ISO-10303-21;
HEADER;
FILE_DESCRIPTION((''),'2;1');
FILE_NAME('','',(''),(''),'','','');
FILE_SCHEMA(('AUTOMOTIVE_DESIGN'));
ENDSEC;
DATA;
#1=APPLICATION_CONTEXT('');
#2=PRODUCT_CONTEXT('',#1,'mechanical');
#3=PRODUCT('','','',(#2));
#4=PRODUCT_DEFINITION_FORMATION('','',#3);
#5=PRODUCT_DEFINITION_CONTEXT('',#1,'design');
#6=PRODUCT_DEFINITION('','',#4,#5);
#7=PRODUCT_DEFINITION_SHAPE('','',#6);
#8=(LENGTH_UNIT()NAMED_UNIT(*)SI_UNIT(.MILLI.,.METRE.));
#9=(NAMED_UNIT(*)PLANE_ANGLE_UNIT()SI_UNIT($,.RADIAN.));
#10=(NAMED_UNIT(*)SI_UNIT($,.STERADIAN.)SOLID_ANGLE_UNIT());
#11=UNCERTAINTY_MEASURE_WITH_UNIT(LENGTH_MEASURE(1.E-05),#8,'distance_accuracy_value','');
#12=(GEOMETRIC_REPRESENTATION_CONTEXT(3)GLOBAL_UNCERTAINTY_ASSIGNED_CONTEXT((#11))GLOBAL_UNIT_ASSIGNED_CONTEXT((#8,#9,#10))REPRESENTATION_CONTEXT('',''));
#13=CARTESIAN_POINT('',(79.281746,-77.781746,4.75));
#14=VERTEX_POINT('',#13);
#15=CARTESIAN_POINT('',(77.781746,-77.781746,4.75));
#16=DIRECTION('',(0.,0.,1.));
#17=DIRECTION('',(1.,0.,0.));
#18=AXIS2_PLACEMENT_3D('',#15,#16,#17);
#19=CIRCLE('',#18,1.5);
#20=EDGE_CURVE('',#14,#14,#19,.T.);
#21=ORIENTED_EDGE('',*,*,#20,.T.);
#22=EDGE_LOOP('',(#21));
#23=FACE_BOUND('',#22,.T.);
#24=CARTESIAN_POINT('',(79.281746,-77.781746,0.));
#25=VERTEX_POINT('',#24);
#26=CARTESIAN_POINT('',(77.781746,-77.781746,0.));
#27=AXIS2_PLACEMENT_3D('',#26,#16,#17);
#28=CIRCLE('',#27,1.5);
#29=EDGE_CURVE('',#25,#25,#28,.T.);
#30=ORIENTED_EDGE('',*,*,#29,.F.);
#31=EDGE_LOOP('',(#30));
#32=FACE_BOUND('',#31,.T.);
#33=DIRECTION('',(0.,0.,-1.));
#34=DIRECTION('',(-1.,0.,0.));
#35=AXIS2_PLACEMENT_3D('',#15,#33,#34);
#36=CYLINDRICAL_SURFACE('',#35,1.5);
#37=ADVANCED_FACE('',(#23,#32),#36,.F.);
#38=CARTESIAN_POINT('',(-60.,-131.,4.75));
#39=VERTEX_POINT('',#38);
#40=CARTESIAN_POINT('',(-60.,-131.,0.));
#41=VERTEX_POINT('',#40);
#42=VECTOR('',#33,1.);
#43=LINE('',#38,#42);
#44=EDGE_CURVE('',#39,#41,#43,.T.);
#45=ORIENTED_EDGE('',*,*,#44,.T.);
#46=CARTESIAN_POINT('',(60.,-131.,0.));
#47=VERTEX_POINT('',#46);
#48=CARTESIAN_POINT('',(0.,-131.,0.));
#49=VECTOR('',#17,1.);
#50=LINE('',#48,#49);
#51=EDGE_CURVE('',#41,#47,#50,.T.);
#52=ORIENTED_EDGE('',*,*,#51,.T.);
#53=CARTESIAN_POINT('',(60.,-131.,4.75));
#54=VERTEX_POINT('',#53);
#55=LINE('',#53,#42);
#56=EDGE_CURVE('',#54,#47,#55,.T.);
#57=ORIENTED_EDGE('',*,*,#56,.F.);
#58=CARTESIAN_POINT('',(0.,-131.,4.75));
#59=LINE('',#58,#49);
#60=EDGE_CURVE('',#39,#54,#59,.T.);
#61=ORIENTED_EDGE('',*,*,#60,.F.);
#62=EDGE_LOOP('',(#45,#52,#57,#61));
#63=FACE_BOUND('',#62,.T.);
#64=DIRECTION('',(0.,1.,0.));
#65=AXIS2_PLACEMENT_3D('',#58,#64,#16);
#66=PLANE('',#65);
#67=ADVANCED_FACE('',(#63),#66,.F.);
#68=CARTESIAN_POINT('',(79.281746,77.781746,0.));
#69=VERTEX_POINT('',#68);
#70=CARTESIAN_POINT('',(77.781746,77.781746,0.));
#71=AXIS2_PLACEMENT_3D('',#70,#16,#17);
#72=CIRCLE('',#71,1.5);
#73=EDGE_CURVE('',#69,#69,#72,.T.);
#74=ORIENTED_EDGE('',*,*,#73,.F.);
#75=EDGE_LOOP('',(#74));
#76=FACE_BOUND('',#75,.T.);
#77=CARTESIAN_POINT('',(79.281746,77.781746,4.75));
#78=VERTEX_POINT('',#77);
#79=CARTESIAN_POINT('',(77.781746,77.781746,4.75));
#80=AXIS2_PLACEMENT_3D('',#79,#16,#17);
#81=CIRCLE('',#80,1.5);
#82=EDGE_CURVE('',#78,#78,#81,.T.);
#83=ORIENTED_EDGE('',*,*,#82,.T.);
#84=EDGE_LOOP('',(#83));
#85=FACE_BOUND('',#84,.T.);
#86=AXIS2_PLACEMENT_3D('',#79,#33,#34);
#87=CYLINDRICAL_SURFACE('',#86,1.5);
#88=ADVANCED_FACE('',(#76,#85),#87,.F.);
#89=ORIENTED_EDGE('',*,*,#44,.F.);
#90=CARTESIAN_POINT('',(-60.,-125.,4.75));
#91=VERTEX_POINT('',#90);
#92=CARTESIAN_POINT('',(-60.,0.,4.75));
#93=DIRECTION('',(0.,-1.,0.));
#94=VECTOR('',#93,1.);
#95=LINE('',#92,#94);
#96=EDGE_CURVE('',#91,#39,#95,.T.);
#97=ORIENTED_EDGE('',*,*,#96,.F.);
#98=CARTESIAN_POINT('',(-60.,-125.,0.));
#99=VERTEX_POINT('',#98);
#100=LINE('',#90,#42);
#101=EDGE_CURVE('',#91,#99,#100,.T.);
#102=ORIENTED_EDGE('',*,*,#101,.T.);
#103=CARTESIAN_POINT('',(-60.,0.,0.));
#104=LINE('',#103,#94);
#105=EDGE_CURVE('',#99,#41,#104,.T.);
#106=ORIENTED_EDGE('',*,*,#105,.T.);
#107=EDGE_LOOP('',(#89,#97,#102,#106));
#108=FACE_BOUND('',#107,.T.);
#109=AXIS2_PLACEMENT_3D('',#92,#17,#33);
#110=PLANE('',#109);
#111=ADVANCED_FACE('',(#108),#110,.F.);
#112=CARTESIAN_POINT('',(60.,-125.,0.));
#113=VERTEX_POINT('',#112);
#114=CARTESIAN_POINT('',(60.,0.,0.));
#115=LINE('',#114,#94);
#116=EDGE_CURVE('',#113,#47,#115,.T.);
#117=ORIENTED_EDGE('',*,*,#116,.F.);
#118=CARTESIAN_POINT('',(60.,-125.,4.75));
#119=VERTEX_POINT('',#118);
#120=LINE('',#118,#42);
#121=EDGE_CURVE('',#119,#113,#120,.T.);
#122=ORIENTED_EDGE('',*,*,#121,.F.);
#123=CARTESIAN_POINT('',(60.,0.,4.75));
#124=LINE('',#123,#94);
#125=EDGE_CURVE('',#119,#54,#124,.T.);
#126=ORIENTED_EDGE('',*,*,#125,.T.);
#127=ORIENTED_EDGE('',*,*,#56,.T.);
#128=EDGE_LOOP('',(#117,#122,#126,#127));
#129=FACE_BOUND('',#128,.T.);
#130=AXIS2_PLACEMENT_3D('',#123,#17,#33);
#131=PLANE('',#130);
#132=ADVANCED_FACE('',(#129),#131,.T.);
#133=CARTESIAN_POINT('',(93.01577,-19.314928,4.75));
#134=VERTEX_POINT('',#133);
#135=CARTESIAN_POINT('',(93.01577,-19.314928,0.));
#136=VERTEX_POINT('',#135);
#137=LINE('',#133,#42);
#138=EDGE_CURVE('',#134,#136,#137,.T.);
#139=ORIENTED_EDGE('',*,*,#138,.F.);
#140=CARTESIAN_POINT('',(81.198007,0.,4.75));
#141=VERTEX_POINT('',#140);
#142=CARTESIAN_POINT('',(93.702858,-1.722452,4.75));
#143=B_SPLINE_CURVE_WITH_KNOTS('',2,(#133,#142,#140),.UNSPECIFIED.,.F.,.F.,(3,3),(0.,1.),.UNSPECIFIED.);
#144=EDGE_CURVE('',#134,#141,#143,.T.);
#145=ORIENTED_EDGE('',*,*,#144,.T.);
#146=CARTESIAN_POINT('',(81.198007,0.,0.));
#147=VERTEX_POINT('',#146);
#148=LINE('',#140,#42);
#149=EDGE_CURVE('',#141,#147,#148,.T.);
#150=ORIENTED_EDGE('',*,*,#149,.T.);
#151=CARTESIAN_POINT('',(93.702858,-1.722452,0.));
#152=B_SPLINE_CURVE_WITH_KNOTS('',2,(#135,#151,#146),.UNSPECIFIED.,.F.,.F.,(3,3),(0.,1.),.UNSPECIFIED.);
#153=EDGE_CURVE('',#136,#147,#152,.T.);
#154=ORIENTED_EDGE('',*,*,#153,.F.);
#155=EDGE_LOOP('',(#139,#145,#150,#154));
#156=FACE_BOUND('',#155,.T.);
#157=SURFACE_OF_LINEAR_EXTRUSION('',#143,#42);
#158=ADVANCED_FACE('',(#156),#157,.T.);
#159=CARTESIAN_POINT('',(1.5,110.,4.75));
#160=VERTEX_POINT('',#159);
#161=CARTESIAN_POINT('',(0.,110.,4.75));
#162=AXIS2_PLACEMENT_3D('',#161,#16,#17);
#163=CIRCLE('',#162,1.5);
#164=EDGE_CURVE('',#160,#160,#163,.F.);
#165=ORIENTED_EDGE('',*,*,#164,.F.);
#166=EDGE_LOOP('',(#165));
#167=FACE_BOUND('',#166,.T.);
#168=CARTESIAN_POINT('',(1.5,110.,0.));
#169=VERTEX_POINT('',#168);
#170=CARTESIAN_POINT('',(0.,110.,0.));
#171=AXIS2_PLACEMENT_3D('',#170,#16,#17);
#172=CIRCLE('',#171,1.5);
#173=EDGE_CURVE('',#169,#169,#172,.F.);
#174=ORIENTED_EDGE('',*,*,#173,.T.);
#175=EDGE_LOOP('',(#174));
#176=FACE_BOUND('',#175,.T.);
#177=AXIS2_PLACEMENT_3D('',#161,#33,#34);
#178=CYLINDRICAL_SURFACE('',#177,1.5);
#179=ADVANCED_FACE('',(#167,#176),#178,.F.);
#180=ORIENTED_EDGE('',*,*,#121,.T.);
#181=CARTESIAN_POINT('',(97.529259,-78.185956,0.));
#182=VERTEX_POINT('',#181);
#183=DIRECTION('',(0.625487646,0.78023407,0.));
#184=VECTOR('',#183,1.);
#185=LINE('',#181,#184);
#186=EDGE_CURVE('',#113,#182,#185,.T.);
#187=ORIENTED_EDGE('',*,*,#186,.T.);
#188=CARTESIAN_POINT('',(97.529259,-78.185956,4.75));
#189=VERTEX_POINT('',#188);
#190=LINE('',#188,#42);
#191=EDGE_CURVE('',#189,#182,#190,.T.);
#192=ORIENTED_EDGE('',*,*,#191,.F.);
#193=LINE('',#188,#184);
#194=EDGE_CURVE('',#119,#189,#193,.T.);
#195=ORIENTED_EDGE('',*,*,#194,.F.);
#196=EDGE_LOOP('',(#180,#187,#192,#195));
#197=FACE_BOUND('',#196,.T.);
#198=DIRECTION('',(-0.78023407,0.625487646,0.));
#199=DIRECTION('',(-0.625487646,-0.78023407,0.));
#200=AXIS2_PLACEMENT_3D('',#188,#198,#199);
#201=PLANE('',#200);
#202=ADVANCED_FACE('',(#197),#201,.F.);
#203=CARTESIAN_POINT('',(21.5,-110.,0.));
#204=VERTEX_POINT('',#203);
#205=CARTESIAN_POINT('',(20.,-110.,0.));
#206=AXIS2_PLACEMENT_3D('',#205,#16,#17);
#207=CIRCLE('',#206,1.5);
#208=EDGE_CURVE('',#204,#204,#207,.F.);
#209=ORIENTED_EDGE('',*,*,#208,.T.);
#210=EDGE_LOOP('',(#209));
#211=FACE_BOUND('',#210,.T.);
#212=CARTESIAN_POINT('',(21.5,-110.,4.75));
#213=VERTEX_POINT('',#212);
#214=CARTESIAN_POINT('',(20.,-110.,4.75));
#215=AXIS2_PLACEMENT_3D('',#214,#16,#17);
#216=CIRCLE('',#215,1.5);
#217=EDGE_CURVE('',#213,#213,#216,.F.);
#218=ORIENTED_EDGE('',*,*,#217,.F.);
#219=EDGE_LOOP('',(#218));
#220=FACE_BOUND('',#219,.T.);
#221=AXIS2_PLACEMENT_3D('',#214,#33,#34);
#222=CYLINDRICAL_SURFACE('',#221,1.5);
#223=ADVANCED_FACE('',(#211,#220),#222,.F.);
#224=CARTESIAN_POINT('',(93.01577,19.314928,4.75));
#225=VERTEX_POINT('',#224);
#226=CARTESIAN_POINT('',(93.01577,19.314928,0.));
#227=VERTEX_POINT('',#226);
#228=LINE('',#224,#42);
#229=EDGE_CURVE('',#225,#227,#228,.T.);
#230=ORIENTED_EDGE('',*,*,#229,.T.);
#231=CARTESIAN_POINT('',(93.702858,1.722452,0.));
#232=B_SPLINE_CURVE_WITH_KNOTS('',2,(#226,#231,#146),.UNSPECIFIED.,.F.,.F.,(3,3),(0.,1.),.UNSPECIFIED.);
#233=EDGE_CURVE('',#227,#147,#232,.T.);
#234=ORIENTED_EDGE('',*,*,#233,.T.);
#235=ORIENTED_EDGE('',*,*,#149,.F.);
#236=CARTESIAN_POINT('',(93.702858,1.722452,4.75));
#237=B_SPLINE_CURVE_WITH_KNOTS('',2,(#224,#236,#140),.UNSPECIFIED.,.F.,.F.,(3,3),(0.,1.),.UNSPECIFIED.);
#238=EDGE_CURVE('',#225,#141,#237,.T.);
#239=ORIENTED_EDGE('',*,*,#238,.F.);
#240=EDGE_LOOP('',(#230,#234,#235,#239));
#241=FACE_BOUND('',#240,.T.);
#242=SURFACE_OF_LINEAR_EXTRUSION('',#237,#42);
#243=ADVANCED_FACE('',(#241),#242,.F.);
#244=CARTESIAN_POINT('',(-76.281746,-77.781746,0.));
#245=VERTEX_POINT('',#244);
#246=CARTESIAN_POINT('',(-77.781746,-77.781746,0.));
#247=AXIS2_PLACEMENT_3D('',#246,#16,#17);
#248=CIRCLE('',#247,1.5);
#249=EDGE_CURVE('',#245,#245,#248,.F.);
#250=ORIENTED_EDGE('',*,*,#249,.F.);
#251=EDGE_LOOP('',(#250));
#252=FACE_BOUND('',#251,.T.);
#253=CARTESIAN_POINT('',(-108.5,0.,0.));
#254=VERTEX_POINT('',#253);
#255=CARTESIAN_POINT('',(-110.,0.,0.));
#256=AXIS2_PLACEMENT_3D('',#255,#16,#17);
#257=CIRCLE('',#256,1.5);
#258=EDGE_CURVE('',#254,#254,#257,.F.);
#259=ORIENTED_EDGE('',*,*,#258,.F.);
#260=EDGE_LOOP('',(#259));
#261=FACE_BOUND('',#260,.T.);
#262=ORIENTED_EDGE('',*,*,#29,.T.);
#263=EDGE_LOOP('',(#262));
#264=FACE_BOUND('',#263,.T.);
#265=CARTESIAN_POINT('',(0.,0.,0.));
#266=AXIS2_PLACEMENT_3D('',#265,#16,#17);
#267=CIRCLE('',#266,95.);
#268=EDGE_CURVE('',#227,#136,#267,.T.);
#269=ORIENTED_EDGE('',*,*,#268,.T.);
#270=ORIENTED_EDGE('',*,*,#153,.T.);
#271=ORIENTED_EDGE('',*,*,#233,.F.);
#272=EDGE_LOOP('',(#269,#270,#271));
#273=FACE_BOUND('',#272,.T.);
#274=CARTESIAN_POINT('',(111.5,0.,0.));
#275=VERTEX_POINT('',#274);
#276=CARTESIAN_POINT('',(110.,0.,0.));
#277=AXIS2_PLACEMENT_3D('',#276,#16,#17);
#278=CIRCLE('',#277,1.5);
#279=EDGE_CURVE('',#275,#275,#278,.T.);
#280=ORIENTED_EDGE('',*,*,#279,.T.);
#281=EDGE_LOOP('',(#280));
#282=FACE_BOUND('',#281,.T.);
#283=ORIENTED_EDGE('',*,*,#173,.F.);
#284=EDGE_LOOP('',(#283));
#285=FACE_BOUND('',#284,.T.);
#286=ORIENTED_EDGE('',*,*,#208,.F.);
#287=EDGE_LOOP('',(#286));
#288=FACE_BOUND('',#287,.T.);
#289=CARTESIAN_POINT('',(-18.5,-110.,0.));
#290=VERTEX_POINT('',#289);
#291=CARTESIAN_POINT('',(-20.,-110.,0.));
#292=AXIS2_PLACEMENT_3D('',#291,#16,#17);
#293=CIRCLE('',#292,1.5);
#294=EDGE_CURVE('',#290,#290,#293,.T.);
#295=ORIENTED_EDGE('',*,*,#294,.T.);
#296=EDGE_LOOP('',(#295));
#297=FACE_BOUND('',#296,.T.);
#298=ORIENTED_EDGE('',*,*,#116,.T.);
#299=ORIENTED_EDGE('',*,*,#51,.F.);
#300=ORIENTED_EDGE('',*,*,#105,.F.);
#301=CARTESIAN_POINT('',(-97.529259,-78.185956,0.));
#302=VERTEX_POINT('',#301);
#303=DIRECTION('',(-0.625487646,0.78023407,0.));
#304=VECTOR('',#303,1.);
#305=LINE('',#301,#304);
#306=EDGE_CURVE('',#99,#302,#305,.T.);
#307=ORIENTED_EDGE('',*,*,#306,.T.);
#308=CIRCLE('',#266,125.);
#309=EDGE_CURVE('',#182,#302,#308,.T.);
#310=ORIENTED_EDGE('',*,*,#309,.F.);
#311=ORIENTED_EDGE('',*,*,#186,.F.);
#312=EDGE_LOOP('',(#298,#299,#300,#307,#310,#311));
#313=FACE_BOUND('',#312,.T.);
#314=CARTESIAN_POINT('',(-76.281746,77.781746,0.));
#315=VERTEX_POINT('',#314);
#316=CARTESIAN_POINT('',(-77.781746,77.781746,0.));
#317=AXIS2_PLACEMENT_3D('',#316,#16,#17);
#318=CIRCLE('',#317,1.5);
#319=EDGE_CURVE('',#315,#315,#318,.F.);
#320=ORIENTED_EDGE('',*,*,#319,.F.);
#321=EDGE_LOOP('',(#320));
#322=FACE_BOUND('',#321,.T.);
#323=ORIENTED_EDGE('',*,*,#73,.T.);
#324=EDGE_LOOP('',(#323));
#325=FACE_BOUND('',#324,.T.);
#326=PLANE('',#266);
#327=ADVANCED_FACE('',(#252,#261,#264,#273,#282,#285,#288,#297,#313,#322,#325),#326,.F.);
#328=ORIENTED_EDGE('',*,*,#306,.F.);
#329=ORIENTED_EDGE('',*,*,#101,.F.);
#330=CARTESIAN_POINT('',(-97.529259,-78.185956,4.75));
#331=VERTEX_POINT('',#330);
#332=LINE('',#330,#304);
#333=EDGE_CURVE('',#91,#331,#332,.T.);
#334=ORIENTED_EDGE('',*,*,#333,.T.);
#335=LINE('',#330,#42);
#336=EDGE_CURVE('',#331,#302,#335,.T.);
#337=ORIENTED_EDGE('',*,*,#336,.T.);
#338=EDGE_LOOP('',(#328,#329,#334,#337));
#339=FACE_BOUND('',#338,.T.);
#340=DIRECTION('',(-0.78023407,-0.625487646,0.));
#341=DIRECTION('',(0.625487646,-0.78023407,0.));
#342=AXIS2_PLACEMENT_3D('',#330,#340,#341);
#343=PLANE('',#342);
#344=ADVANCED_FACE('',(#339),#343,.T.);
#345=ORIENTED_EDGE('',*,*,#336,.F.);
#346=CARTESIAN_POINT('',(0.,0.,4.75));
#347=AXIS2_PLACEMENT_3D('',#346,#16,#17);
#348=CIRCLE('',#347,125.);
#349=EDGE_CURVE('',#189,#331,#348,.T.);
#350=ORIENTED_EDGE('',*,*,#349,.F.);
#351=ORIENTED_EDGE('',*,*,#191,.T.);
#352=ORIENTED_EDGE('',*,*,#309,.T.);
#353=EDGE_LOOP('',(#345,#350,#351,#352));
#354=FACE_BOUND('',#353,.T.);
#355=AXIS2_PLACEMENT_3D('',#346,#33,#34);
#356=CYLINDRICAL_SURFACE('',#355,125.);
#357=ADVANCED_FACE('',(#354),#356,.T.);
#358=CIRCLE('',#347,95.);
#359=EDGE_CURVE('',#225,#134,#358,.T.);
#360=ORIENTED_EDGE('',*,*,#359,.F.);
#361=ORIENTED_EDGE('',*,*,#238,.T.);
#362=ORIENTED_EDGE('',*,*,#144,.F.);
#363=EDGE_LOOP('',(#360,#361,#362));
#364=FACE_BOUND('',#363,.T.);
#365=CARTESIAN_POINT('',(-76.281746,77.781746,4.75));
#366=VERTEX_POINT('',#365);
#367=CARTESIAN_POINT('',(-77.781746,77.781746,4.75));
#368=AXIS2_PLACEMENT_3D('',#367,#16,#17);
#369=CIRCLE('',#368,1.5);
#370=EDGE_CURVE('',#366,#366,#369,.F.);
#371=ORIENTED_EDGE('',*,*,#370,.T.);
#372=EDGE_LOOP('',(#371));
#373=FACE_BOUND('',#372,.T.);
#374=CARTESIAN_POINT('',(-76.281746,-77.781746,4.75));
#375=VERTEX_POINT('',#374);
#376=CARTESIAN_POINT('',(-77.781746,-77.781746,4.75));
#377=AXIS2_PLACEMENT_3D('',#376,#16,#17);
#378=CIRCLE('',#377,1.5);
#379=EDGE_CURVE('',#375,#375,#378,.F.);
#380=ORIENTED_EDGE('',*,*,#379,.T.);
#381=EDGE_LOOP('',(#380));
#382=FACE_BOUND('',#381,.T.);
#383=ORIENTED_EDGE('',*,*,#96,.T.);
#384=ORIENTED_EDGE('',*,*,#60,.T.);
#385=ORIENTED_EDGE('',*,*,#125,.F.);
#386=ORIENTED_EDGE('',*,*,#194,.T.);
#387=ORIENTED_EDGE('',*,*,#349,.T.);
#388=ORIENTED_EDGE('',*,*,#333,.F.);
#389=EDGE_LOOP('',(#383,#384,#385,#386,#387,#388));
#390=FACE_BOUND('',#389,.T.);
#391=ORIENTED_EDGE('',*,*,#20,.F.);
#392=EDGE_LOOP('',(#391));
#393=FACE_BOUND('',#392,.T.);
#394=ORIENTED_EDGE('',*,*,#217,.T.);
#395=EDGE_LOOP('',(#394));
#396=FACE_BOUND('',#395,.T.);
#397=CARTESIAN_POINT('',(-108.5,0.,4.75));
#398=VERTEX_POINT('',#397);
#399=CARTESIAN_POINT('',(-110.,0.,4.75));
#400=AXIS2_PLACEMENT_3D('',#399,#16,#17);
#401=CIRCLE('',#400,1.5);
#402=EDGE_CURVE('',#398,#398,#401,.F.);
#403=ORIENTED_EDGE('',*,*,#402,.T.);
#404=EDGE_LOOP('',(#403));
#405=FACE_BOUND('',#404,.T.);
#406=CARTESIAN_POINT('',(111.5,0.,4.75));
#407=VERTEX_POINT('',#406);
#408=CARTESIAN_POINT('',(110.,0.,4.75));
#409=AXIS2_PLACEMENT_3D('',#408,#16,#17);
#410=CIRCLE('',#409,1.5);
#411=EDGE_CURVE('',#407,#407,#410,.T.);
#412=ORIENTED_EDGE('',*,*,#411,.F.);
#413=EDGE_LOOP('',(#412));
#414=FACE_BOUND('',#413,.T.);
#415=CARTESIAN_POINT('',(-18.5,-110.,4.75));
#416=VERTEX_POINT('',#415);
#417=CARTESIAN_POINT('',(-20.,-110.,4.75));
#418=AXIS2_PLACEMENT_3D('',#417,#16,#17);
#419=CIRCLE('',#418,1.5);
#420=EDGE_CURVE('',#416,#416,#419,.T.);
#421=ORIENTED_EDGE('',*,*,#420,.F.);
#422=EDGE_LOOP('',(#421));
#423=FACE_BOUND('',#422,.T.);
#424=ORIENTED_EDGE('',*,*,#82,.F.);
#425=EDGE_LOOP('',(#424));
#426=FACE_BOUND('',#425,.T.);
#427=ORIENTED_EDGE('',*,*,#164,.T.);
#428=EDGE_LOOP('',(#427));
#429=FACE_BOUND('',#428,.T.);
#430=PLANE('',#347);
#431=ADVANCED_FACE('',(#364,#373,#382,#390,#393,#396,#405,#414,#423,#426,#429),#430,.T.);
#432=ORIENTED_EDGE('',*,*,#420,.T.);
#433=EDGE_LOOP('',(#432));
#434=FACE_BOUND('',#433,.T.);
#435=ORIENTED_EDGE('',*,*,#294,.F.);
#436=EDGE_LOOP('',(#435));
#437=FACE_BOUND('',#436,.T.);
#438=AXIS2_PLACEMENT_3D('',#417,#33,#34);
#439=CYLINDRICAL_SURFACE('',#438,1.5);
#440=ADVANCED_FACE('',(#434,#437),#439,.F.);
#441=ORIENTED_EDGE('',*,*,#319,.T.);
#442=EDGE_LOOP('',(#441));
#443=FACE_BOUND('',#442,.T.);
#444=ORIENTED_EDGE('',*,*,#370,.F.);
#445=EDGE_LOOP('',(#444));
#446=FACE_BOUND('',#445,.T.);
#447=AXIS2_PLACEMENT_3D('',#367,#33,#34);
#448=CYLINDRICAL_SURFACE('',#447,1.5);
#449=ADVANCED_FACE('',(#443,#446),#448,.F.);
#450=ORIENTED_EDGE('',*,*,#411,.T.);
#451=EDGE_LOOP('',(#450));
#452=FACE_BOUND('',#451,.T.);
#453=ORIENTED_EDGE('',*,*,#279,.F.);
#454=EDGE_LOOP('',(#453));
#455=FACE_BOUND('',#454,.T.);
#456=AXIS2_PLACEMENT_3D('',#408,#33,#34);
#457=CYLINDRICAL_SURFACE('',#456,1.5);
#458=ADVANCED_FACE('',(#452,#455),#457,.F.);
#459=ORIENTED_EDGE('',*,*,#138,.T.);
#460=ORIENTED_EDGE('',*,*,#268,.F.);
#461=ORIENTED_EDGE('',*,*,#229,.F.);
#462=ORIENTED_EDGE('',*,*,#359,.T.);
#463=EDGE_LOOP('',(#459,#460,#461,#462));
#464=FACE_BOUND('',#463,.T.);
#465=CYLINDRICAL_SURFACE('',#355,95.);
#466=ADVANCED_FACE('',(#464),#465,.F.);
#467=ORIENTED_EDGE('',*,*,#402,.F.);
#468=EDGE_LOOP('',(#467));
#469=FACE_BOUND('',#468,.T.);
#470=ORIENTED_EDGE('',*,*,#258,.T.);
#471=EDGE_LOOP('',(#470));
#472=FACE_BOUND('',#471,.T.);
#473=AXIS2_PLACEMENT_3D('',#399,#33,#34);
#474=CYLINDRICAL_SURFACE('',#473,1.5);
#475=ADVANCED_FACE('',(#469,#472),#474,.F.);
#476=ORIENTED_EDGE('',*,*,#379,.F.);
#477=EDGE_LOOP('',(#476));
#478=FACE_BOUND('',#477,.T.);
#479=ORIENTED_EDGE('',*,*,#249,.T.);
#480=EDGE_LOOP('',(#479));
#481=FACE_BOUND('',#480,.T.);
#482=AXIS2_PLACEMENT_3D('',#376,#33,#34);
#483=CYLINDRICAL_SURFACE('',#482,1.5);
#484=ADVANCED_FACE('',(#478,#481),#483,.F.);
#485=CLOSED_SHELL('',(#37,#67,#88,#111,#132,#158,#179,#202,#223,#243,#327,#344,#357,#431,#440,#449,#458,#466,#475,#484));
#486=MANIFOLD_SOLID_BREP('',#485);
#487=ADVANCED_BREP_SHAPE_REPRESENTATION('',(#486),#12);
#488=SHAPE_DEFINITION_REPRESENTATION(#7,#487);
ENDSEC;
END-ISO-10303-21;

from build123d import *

# Parameters (mm, degrees)
SKETCH1_R           = 1.5
BOSS_EXTRUDE1_DEPTH = 4.75


with BuildPart() as part:
    # Sketch1 → Boss-Extrude1 (new body)
    with BuildSketch(Plane.XY):
        with BuildLine():
            Line((-97.529258778, -78.185955787), (-60, -125))
            Line((-60, -125), (-60, -131))
            Line((-60, -131), (60, -131))
            Line((60, -131), (60, -125))
            Line((60, -125), (97.529258778, -78.185955787))
            ThreePointArc((97.529258778, -78.185955787), (0, 125), (-97.529258778, -78.185955787))
        make_face()
        with Locations((-77.781745931, -77.781745931)):
            Circle(SKETCH1_R, mode=Mode.SUBTRACT)
        with Locations((-20, -110)):
            Circle(SKETCH1_R, mode=Mode.SUBTRACT)
        with Locations((20, -110)):
            Circle(SKETCH1_R, mode=Mode.SUBTRACT)
        with Locations((77.781745931, -77.781745931)):
            Circle(SKETCH1_R, mode=Mode.SUBTRACT)
        with Locations((-110, 0)):
            Circle(SKETCH1_R, mode=Mode.SUBTRACT)
        with BuildLine():
            ThreePointArc((93.01577046, -19.314928054), (-95, 0), (93.01577046, 19.314928054))
            add(Edge.make_bspline(
                [(93.01577046, 19.314928054), (93.70285757, 1.722452045), (81.198007465, 0)],
                knots=[0, 0, 0, 1, 1, 1], degree=2))
            add(Edge.make_bspline(
                [(93.01577046, -19.314928054), (93.70285757, -1.722452045), (81.198007465, 0)],
                knots=[0, 0, 0, 1, 1, 1], degree=2))
        make_face(mode=Mode.SUBTRACT)
        with Locations((-77.781745931, 77.781745931)):
            Circle(SKETCH1_R, mode=Mode.SUBTRACT)
        with Locations((110, 0)):
            Circle(SKETCH1_R, mode=Mode.SUBTRACT)
        with Locations((0, 110)):
            Circle(SKETCH1_R, mode=Mode.SUBTRACT)
        with Locations((77.781745931, 77.781745931)):
            Circle(SKETCH1_R, mode=Mode.SUBTRACT)
    extrude(amount=BOSS_EXTRUDE1_DEPTH)


solid = part.part
